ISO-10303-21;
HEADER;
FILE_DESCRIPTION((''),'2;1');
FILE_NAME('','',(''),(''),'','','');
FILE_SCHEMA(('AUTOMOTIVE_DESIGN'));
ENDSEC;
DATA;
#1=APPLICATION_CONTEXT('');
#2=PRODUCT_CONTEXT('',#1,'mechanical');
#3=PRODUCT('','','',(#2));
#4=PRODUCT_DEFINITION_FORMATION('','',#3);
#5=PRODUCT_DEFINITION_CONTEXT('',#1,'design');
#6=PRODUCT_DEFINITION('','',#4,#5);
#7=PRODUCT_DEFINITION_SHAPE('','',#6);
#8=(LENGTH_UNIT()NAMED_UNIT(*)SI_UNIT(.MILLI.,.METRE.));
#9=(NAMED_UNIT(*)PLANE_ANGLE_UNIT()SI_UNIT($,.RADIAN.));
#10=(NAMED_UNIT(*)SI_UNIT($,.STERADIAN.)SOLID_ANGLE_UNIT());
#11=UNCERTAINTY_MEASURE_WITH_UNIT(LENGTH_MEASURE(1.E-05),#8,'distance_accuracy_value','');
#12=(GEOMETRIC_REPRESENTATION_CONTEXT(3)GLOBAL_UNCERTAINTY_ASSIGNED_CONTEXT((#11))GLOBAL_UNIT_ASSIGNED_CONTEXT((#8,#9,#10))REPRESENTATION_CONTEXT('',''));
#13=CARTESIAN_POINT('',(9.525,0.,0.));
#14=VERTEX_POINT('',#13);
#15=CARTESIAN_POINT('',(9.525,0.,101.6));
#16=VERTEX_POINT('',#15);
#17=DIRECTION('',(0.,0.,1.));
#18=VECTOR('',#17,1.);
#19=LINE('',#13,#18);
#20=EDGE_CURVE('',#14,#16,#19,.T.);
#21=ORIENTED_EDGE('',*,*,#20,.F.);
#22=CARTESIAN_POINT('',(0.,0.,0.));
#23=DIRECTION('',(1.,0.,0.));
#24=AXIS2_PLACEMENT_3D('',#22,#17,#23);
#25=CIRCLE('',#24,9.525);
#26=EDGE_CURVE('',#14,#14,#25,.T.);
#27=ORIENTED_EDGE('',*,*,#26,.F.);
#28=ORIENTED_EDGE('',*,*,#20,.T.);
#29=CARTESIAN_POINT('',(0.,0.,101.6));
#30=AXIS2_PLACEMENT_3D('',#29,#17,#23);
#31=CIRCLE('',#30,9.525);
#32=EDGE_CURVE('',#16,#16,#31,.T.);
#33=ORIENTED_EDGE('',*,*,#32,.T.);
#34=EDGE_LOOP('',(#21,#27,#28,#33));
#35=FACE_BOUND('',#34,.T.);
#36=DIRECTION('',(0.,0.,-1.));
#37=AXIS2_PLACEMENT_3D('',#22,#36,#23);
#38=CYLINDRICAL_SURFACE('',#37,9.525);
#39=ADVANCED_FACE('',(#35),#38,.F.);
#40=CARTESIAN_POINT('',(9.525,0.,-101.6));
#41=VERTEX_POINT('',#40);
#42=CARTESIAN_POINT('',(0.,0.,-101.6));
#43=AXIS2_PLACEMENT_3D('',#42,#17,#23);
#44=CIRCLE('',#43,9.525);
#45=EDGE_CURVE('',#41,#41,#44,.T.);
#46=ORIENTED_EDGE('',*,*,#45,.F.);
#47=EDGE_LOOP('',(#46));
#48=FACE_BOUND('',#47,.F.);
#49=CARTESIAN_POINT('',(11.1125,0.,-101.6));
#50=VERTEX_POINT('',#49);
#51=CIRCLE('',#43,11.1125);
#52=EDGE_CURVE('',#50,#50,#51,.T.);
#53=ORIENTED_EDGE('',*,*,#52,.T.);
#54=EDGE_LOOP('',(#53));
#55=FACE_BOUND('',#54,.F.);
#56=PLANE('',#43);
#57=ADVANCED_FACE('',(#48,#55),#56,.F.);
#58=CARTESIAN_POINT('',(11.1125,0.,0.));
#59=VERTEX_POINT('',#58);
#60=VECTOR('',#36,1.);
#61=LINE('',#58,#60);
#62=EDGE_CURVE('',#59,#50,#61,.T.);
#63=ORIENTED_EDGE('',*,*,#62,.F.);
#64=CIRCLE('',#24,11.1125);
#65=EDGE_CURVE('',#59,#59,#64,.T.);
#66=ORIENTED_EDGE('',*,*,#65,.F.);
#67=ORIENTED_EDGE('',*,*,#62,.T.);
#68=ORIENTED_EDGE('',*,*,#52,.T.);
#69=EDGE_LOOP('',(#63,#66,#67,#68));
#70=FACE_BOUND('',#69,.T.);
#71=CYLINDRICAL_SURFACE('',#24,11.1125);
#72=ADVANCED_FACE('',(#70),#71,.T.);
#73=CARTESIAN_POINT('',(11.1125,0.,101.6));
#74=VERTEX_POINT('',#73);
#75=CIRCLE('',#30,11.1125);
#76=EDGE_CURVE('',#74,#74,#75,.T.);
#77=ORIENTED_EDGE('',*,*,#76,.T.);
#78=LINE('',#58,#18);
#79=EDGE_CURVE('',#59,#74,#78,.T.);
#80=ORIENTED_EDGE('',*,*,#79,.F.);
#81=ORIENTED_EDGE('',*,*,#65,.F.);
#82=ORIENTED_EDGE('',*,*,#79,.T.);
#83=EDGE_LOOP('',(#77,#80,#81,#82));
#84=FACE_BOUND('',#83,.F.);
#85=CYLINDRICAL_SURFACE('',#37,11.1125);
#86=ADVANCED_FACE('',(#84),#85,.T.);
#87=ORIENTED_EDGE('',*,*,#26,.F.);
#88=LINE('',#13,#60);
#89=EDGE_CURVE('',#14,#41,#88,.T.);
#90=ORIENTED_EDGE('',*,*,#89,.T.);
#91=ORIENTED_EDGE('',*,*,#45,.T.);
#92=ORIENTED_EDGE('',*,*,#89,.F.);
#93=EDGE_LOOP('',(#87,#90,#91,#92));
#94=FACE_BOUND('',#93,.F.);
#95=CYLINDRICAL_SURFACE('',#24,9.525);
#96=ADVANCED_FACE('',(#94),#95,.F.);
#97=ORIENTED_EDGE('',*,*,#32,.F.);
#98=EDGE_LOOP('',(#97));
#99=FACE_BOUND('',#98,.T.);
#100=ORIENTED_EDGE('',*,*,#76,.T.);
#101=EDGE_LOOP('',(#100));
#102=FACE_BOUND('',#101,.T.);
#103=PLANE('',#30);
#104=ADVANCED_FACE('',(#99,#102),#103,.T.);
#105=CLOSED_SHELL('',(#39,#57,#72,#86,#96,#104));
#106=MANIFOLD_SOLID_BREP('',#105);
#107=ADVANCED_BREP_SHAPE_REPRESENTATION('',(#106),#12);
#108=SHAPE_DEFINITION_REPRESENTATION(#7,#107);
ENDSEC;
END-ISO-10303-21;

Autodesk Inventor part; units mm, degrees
ref_plane "YZ Plane" through (0, 0, 0) normal (1, 0, 0) x (0, 1, 0)
ref_plane "XZ Plane" through (0, 0, 0) normal (0, 1, 0) x (-1, 0, 0)
ref_plane "XY Plane" through (0, 0, 0) normal (0, 0, 1) x (1, 0, 0)
sketch "Sketch1" plane through (0, 0, 0) normal (0, 0, 1) x (1, 0, 0)
  circle A0 centre (0, 0) radius 11.1125
  circle A1 centre (0, 0) radius 9.525
  dimension "d0" = 22.225
  dimension "d3" = 1.5875
extrude "Extrusion1" add sketch "Sketch1" along normal mid plane 203.2
properties part number "hypo1"
